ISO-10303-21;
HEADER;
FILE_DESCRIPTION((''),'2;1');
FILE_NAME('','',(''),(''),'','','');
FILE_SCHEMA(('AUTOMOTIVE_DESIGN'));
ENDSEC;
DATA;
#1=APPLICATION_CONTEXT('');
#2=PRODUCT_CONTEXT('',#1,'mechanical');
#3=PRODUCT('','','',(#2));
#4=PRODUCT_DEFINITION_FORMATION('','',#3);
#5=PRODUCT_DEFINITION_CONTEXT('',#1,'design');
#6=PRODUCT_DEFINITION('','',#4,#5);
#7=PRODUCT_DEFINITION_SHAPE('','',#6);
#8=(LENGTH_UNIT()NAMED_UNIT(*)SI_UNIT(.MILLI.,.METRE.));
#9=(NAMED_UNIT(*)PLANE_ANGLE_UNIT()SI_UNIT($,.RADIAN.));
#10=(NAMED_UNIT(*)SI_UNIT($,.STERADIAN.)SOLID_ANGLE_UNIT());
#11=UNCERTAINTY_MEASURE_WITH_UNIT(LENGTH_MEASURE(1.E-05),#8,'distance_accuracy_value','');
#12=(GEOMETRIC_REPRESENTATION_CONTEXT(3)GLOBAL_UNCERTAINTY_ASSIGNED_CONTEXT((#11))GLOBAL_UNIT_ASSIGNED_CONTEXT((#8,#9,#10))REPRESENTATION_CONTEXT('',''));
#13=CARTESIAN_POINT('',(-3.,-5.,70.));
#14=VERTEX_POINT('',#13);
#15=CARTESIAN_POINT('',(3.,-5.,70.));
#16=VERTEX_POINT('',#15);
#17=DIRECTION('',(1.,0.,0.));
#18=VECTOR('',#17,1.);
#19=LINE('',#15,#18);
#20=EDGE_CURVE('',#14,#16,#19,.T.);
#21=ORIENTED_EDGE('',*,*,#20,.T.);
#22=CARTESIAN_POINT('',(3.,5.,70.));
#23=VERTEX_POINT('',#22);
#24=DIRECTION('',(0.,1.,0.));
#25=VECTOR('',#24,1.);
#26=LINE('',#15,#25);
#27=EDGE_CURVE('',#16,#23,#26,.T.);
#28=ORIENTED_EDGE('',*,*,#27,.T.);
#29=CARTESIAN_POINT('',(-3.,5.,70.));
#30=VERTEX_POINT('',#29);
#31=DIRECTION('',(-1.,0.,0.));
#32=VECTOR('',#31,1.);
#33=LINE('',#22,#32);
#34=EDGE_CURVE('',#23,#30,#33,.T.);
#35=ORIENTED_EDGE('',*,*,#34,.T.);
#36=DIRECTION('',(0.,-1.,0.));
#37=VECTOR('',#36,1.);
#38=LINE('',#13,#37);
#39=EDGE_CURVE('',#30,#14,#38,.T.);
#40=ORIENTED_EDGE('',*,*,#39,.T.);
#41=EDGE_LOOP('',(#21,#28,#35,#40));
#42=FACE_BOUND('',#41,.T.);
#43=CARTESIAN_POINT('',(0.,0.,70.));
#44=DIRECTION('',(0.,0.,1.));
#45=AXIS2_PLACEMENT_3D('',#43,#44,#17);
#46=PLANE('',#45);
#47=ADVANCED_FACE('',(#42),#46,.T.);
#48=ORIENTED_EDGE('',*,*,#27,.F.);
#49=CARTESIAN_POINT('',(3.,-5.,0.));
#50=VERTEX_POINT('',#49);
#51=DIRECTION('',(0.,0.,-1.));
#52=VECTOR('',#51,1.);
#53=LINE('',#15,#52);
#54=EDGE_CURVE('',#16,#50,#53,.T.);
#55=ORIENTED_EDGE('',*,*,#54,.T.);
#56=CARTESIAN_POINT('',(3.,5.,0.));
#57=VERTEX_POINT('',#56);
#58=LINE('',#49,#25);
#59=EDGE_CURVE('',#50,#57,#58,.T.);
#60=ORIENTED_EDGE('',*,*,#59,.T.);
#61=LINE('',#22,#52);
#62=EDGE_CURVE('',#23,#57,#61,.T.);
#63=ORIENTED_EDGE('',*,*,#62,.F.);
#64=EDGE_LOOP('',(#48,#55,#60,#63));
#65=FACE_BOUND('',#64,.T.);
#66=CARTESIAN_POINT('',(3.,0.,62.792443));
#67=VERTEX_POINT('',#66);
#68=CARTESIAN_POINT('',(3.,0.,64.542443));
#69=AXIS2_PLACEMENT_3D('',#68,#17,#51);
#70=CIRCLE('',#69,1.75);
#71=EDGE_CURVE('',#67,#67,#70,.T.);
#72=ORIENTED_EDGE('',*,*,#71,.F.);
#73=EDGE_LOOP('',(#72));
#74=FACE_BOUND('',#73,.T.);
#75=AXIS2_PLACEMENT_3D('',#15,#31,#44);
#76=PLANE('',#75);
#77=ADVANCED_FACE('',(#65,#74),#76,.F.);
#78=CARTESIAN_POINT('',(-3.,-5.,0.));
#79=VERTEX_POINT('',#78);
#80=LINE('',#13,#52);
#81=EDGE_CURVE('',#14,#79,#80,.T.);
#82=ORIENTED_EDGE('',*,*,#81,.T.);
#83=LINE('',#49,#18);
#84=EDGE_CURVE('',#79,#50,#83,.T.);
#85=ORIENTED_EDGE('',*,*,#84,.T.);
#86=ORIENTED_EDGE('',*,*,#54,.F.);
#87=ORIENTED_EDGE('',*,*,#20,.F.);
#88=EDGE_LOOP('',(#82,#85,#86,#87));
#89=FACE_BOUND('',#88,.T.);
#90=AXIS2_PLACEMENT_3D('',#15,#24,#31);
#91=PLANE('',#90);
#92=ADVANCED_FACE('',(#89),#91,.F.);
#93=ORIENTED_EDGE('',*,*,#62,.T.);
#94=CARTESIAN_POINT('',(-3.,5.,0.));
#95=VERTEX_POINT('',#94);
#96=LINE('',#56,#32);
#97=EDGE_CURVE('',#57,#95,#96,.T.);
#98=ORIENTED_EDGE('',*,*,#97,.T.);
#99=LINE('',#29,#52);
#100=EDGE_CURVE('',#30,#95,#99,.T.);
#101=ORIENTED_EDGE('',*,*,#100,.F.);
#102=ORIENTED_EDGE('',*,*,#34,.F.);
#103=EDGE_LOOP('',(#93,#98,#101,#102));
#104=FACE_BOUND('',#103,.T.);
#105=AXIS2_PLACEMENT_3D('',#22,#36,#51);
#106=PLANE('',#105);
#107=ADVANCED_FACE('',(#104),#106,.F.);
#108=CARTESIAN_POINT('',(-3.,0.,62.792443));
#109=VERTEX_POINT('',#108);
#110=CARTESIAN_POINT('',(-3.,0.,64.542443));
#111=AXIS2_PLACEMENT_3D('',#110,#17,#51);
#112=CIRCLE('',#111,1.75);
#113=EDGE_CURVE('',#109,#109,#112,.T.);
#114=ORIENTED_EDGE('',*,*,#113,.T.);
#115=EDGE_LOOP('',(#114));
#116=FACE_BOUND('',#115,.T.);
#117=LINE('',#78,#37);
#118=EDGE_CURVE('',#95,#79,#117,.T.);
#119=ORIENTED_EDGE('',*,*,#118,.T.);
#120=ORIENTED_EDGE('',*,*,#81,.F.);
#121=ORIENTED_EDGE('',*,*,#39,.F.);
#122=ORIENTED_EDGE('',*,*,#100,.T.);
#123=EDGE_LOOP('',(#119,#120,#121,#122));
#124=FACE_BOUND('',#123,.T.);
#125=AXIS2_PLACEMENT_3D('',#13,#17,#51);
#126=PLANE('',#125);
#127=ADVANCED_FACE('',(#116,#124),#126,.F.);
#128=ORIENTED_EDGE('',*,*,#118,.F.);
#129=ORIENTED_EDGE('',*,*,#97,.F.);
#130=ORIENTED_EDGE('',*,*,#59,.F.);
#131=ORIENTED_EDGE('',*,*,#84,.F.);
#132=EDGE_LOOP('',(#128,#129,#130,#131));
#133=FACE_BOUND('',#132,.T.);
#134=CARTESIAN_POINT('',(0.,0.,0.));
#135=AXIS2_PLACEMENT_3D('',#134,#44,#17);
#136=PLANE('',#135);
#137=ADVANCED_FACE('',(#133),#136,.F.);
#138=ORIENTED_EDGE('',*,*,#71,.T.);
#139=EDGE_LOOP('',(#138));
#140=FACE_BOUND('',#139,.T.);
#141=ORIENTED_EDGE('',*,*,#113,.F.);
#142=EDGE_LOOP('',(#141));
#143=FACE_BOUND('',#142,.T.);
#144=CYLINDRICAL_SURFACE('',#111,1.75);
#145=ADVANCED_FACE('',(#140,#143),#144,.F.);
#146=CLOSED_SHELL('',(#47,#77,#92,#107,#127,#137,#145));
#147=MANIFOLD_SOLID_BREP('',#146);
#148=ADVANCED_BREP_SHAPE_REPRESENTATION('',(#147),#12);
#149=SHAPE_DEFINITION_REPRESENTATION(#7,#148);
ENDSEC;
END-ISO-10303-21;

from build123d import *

# Parameters (mm, degrees)
ESBO_O1_W                = 6
ESBO_O1_H                = 10
RESSALTO_EXTRUS_O1_DEPTH = 70
ESBO_O2_R                = 1.75
CORTE_EXTRUS_O1_DEPTH    = 71.434366612


with BuildPart() as part:
    # Esboço1 → Ressalto-extrusão1 (new body)
    with BuildSketch(Plane.XY):
        Rectangle(ESBO_O1_W, ESBO_O1_H)
    extrude(amount=RESSALTO_EXTRUS_O1_DEPTH)

    # Esboço2 → Corte-extrusão1 (cut, through all)
    with BuildSketch(Plane(origin=(3, 0, 0), x_dir=(0, 0, -1), z_dir=(1, 0, 0))):
        with Locations((-64.542442941, 0)):
            Circle(ESBO_O2_R)
    extrude(amount=-CORTE_EXTRUS_O1_DEPTH, mode=Mode.SUBTRACT)


solid = part.part
